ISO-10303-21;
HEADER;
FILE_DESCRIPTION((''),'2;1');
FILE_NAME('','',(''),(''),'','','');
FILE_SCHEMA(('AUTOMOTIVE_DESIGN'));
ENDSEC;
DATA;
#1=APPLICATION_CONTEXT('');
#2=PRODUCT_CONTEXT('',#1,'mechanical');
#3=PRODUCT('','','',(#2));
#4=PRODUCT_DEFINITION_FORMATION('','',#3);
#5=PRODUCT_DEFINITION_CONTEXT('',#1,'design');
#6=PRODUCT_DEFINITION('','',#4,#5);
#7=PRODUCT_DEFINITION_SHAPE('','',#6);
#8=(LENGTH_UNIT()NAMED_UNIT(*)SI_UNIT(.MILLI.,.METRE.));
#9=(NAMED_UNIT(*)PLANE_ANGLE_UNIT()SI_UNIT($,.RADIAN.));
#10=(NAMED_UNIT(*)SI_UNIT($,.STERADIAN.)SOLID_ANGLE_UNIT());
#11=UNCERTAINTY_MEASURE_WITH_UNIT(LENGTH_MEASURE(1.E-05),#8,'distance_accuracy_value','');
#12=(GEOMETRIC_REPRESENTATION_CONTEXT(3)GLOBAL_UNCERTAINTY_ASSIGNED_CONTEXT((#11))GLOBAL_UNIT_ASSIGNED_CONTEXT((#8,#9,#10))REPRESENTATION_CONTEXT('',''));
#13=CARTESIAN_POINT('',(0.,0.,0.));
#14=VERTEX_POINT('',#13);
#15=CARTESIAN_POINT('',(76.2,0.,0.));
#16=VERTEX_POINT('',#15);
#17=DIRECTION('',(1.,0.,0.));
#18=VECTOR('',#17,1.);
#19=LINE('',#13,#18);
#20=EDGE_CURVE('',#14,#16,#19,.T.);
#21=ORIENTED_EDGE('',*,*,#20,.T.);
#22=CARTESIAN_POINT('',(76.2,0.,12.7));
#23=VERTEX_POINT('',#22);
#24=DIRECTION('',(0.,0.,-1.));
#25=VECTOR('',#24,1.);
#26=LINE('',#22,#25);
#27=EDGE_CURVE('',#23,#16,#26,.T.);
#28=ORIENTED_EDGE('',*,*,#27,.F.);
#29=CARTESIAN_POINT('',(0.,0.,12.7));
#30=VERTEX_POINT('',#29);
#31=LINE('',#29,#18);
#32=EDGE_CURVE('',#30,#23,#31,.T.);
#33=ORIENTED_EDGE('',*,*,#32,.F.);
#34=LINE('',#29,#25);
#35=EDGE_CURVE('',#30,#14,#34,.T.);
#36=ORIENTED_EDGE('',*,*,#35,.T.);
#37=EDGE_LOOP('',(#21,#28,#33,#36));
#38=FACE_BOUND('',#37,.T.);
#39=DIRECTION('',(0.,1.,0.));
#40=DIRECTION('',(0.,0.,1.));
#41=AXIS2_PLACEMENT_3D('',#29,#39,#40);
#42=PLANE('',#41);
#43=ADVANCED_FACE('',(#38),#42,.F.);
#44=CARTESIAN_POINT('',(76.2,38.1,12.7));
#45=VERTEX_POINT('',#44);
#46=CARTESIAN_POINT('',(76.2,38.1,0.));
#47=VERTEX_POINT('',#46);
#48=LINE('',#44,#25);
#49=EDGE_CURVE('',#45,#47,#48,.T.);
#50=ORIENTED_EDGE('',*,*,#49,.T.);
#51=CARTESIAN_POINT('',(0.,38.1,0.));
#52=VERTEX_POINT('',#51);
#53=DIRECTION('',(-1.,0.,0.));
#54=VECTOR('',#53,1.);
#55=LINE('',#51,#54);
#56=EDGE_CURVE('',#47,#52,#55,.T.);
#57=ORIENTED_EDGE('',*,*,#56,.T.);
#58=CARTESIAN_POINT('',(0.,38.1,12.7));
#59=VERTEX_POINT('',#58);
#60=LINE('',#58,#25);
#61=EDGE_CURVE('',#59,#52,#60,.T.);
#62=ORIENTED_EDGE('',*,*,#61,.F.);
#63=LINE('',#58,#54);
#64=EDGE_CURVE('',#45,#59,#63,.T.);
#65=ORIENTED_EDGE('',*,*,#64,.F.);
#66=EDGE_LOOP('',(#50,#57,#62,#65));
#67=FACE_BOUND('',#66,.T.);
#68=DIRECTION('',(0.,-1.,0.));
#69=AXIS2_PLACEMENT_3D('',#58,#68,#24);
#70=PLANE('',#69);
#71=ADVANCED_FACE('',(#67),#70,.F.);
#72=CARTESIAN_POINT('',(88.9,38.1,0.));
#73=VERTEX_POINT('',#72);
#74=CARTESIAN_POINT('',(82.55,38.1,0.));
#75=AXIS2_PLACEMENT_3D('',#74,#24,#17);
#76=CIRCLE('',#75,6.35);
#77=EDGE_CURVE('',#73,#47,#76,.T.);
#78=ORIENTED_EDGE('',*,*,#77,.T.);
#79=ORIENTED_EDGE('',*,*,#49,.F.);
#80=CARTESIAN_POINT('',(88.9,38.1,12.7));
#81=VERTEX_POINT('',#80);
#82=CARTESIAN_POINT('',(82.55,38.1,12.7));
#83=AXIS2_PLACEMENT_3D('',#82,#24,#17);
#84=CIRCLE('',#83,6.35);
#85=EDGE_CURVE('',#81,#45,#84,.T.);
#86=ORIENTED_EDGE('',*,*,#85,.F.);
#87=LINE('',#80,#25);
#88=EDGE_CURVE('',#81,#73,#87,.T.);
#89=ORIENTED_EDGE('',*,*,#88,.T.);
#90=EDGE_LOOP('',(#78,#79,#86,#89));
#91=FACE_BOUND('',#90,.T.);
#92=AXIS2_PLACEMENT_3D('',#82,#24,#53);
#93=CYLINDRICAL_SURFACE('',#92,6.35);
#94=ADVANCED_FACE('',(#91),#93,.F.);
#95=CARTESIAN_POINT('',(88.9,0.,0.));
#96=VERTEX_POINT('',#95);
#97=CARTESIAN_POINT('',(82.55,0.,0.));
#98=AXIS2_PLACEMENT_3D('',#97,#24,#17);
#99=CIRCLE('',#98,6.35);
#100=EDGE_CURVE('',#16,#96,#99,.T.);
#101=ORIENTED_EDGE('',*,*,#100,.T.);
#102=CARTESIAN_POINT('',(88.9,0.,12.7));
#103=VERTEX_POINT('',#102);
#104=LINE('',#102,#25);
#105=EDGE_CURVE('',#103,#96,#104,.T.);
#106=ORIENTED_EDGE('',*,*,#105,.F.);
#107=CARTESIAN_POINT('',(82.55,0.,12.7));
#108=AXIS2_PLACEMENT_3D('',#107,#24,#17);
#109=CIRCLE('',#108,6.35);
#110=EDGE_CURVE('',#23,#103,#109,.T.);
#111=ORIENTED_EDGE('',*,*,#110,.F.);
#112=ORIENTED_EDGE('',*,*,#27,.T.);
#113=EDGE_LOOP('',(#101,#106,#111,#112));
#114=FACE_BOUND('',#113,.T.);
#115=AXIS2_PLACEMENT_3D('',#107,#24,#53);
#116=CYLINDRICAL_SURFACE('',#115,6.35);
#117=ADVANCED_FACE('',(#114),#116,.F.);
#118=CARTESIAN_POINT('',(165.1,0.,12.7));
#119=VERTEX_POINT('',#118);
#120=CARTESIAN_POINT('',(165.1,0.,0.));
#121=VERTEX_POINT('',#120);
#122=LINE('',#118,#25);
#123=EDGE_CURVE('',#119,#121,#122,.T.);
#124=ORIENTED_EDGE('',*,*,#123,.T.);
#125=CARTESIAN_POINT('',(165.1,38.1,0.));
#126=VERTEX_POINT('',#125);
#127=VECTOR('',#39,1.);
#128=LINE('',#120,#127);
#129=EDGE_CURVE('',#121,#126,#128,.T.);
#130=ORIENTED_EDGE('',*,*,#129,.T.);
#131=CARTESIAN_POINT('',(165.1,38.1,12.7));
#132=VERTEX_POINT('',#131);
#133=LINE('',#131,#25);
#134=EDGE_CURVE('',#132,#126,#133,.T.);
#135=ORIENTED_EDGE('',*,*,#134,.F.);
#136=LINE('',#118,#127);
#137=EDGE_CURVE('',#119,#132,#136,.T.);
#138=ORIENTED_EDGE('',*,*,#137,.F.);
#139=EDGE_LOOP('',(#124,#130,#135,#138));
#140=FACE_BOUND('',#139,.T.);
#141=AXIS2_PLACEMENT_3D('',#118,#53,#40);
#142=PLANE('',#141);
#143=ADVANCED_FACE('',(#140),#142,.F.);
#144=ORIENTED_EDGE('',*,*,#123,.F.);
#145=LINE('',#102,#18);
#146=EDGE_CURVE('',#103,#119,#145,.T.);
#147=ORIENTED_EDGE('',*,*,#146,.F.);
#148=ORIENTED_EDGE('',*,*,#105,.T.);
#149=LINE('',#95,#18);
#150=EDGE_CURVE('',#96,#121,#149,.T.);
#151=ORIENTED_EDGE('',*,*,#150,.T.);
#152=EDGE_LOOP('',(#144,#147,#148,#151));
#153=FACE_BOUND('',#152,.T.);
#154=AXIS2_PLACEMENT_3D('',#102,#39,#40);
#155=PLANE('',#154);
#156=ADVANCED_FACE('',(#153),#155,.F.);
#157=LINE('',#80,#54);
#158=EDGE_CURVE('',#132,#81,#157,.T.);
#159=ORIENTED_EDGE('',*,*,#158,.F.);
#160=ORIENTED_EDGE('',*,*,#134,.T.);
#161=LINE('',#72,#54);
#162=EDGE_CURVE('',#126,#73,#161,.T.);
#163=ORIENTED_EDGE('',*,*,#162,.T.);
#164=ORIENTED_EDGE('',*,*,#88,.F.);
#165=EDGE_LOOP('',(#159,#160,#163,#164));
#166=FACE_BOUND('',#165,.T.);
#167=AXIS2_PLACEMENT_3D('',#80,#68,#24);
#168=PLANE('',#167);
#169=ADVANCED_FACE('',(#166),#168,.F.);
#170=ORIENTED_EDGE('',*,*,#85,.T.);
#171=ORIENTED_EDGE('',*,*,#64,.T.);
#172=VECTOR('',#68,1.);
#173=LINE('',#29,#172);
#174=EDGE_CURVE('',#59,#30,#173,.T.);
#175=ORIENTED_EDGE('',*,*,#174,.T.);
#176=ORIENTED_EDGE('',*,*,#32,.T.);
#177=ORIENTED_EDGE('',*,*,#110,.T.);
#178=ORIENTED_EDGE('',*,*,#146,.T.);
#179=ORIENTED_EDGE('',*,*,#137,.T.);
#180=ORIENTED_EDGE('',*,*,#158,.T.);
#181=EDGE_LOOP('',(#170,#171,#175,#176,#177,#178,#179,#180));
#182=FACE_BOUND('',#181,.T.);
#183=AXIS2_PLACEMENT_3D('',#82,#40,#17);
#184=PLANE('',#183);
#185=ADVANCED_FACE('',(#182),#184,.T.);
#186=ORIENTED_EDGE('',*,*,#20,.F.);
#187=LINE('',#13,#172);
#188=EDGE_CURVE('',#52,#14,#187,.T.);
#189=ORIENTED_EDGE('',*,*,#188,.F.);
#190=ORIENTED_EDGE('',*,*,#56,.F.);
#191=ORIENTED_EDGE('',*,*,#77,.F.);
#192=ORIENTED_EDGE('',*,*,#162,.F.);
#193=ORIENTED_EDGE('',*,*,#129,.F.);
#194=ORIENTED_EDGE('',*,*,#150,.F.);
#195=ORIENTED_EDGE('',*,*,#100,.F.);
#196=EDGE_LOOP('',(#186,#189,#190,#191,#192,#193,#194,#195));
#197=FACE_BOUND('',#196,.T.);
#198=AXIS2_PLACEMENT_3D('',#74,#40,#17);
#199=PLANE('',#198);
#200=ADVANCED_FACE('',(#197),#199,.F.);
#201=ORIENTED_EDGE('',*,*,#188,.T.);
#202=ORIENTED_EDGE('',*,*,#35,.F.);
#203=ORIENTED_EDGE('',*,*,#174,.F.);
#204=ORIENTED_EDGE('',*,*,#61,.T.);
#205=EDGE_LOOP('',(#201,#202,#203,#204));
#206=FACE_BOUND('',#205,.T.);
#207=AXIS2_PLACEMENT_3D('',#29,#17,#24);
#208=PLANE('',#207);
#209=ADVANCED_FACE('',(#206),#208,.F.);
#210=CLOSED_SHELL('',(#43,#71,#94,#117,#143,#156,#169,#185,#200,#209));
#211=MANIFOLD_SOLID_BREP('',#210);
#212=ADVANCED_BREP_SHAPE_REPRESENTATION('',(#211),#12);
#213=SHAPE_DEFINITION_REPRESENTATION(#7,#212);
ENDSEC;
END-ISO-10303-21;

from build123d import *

# Parameters (mm, degrees)
EXTRUDE1_DEPTH = 12.7


with BuildPart() as part:
    # Sketch1 → Extrude1 (new body)
    with BuildSketch(Plane.XY):
        with BuildLine():
            Line((0, 0), (76.2, 0))
            ThreePointArc((76.2, 0), (82.55, 6.35), (88.9, 0))
            Line((88.9, 0), (165.1, 0))
            Line((165.1, 0), (165.1, 38.1))
            Line((165.1, 38.1), (88.9, 38.1))
            ThreePointArc((88.9, 38.1), (82.55, 31.75), (76.2, 38.1))
            Line((76.2, 38.1), (0, 38.1))
            Line((0, 38.1), (0, 0))
        make_face()
    extrude(amount=EXTRUDE1_DEPTH)


solid = part.part
